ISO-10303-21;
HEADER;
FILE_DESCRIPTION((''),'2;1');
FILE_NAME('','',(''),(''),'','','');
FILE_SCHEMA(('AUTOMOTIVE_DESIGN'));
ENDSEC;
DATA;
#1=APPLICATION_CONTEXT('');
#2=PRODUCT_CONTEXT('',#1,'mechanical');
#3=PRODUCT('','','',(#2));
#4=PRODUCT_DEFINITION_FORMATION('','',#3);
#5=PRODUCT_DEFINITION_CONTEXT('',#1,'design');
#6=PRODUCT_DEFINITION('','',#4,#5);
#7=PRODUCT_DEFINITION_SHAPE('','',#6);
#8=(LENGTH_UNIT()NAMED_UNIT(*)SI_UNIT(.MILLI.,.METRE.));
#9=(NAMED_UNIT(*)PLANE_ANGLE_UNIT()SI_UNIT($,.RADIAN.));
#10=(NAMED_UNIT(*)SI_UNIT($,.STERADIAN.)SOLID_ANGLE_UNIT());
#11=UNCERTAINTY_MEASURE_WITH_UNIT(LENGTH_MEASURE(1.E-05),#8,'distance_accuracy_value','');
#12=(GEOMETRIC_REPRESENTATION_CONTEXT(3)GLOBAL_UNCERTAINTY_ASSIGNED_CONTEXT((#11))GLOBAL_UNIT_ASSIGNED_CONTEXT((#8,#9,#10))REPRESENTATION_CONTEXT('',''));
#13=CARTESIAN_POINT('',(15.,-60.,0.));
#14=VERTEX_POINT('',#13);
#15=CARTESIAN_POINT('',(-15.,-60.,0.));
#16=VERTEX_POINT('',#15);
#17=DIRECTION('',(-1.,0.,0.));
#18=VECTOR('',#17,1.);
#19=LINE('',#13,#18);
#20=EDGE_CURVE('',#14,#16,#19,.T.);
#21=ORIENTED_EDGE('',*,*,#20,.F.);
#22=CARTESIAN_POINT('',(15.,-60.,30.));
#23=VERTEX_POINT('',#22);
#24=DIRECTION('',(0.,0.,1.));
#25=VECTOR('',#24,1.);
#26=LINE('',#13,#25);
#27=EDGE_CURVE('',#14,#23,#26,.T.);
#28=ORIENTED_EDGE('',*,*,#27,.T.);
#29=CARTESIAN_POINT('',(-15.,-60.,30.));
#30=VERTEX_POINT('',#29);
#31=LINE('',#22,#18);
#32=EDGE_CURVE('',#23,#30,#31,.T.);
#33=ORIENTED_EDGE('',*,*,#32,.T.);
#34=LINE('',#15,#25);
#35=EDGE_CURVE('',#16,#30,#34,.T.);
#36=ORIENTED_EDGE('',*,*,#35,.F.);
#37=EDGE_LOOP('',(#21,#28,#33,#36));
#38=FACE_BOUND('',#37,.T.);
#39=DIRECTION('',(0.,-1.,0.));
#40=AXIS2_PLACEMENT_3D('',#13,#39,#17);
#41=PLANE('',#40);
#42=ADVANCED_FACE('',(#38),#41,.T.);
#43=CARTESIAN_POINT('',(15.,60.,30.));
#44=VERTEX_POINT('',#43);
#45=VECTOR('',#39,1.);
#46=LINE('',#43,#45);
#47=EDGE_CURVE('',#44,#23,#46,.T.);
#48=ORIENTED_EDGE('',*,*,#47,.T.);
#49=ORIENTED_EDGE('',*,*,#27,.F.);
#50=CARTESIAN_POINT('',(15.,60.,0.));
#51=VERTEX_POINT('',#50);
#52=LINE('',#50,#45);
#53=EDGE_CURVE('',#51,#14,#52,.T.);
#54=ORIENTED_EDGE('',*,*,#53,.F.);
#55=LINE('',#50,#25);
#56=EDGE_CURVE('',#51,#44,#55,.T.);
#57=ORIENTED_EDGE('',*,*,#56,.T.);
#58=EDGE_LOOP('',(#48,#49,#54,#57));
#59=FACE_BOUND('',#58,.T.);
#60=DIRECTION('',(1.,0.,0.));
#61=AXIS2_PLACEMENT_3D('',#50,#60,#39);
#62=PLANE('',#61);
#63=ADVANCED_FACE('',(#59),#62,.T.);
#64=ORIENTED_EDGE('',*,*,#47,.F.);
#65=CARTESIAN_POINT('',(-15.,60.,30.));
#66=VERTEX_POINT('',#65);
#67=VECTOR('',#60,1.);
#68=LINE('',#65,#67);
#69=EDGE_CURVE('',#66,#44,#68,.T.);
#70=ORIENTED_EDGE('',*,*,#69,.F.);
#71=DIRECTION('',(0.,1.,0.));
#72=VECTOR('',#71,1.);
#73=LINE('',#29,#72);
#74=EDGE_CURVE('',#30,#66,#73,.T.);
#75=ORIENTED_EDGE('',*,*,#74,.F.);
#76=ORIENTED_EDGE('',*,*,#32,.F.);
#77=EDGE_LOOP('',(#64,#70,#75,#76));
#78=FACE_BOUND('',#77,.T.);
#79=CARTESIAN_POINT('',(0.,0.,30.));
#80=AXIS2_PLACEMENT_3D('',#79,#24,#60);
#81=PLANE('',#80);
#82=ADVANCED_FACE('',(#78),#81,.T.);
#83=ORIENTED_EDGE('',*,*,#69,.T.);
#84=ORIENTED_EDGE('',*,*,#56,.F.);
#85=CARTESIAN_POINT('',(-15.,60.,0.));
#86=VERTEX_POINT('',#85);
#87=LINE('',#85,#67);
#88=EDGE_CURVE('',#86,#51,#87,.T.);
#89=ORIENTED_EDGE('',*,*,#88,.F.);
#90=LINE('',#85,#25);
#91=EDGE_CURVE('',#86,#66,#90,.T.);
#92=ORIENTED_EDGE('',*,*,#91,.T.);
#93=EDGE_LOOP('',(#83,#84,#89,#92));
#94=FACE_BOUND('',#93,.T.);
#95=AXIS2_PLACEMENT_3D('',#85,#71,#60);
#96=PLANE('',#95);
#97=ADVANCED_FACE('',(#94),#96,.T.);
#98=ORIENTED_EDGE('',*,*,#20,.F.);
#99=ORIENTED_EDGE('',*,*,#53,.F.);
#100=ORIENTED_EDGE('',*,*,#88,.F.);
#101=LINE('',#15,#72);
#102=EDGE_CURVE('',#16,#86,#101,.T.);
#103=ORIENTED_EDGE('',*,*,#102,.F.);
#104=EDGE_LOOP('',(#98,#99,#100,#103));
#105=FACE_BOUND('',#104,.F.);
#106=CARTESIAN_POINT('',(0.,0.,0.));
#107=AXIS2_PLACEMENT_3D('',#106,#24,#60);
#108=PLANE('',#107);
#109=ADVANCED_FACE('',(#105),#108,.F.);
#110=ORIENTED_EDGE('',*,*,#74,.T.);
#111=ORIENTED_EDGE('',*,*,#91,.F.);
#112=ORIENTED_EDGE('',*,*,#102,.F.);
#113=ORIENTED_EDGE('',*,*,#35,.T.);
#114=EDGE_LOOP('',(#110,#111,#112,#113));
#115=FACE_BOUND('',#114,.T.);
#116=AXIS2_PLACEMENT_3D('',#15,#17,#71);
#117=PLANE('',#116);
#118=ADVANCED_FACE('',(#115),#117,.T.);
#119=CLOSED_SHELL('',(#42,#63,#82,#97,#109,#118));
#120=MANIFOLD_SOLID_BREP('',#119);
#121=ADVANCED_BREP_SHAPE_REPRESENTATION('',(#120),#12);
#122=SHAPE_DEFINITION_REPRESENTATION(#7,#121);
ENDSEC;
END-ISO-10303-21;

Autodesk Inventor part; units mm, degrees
ref_plane "YZ Plane" through (0, 0, 0) normal (1, 0, 0) x (0, 1, 0)
ref_plane "XZ Plane" through (0, 0, 0) normal (0, 1, 0) x (-1, 0, 0)
ref_plane "XY Plane" through (0, 0, 0) normal (0, 0, 1) x (1, 0, 0)
sketch "스케치1" plane through (0, 0, 0) normal (0, 0, 1) x (1, 0, 0)
  line L0 (15, -60) -> (-15, -60)
  line L1 (-15, -60) -> (-15, 60)
  line L2 (-15, 60) -> (15, 60)
  line L3 (15, 60) -> (15, -60)
  line L4 (15, -60) -> (-15, 60) construction
  line L5 (-15, -60) -> (15, 60) construction
  point P0 (0, 0)
  dimension "d0" = 120
  dimension "d1" = 30
extrude "돌출1" add sketch "스케치1" along normal blind 30
properties part number "240626_tablep3"
